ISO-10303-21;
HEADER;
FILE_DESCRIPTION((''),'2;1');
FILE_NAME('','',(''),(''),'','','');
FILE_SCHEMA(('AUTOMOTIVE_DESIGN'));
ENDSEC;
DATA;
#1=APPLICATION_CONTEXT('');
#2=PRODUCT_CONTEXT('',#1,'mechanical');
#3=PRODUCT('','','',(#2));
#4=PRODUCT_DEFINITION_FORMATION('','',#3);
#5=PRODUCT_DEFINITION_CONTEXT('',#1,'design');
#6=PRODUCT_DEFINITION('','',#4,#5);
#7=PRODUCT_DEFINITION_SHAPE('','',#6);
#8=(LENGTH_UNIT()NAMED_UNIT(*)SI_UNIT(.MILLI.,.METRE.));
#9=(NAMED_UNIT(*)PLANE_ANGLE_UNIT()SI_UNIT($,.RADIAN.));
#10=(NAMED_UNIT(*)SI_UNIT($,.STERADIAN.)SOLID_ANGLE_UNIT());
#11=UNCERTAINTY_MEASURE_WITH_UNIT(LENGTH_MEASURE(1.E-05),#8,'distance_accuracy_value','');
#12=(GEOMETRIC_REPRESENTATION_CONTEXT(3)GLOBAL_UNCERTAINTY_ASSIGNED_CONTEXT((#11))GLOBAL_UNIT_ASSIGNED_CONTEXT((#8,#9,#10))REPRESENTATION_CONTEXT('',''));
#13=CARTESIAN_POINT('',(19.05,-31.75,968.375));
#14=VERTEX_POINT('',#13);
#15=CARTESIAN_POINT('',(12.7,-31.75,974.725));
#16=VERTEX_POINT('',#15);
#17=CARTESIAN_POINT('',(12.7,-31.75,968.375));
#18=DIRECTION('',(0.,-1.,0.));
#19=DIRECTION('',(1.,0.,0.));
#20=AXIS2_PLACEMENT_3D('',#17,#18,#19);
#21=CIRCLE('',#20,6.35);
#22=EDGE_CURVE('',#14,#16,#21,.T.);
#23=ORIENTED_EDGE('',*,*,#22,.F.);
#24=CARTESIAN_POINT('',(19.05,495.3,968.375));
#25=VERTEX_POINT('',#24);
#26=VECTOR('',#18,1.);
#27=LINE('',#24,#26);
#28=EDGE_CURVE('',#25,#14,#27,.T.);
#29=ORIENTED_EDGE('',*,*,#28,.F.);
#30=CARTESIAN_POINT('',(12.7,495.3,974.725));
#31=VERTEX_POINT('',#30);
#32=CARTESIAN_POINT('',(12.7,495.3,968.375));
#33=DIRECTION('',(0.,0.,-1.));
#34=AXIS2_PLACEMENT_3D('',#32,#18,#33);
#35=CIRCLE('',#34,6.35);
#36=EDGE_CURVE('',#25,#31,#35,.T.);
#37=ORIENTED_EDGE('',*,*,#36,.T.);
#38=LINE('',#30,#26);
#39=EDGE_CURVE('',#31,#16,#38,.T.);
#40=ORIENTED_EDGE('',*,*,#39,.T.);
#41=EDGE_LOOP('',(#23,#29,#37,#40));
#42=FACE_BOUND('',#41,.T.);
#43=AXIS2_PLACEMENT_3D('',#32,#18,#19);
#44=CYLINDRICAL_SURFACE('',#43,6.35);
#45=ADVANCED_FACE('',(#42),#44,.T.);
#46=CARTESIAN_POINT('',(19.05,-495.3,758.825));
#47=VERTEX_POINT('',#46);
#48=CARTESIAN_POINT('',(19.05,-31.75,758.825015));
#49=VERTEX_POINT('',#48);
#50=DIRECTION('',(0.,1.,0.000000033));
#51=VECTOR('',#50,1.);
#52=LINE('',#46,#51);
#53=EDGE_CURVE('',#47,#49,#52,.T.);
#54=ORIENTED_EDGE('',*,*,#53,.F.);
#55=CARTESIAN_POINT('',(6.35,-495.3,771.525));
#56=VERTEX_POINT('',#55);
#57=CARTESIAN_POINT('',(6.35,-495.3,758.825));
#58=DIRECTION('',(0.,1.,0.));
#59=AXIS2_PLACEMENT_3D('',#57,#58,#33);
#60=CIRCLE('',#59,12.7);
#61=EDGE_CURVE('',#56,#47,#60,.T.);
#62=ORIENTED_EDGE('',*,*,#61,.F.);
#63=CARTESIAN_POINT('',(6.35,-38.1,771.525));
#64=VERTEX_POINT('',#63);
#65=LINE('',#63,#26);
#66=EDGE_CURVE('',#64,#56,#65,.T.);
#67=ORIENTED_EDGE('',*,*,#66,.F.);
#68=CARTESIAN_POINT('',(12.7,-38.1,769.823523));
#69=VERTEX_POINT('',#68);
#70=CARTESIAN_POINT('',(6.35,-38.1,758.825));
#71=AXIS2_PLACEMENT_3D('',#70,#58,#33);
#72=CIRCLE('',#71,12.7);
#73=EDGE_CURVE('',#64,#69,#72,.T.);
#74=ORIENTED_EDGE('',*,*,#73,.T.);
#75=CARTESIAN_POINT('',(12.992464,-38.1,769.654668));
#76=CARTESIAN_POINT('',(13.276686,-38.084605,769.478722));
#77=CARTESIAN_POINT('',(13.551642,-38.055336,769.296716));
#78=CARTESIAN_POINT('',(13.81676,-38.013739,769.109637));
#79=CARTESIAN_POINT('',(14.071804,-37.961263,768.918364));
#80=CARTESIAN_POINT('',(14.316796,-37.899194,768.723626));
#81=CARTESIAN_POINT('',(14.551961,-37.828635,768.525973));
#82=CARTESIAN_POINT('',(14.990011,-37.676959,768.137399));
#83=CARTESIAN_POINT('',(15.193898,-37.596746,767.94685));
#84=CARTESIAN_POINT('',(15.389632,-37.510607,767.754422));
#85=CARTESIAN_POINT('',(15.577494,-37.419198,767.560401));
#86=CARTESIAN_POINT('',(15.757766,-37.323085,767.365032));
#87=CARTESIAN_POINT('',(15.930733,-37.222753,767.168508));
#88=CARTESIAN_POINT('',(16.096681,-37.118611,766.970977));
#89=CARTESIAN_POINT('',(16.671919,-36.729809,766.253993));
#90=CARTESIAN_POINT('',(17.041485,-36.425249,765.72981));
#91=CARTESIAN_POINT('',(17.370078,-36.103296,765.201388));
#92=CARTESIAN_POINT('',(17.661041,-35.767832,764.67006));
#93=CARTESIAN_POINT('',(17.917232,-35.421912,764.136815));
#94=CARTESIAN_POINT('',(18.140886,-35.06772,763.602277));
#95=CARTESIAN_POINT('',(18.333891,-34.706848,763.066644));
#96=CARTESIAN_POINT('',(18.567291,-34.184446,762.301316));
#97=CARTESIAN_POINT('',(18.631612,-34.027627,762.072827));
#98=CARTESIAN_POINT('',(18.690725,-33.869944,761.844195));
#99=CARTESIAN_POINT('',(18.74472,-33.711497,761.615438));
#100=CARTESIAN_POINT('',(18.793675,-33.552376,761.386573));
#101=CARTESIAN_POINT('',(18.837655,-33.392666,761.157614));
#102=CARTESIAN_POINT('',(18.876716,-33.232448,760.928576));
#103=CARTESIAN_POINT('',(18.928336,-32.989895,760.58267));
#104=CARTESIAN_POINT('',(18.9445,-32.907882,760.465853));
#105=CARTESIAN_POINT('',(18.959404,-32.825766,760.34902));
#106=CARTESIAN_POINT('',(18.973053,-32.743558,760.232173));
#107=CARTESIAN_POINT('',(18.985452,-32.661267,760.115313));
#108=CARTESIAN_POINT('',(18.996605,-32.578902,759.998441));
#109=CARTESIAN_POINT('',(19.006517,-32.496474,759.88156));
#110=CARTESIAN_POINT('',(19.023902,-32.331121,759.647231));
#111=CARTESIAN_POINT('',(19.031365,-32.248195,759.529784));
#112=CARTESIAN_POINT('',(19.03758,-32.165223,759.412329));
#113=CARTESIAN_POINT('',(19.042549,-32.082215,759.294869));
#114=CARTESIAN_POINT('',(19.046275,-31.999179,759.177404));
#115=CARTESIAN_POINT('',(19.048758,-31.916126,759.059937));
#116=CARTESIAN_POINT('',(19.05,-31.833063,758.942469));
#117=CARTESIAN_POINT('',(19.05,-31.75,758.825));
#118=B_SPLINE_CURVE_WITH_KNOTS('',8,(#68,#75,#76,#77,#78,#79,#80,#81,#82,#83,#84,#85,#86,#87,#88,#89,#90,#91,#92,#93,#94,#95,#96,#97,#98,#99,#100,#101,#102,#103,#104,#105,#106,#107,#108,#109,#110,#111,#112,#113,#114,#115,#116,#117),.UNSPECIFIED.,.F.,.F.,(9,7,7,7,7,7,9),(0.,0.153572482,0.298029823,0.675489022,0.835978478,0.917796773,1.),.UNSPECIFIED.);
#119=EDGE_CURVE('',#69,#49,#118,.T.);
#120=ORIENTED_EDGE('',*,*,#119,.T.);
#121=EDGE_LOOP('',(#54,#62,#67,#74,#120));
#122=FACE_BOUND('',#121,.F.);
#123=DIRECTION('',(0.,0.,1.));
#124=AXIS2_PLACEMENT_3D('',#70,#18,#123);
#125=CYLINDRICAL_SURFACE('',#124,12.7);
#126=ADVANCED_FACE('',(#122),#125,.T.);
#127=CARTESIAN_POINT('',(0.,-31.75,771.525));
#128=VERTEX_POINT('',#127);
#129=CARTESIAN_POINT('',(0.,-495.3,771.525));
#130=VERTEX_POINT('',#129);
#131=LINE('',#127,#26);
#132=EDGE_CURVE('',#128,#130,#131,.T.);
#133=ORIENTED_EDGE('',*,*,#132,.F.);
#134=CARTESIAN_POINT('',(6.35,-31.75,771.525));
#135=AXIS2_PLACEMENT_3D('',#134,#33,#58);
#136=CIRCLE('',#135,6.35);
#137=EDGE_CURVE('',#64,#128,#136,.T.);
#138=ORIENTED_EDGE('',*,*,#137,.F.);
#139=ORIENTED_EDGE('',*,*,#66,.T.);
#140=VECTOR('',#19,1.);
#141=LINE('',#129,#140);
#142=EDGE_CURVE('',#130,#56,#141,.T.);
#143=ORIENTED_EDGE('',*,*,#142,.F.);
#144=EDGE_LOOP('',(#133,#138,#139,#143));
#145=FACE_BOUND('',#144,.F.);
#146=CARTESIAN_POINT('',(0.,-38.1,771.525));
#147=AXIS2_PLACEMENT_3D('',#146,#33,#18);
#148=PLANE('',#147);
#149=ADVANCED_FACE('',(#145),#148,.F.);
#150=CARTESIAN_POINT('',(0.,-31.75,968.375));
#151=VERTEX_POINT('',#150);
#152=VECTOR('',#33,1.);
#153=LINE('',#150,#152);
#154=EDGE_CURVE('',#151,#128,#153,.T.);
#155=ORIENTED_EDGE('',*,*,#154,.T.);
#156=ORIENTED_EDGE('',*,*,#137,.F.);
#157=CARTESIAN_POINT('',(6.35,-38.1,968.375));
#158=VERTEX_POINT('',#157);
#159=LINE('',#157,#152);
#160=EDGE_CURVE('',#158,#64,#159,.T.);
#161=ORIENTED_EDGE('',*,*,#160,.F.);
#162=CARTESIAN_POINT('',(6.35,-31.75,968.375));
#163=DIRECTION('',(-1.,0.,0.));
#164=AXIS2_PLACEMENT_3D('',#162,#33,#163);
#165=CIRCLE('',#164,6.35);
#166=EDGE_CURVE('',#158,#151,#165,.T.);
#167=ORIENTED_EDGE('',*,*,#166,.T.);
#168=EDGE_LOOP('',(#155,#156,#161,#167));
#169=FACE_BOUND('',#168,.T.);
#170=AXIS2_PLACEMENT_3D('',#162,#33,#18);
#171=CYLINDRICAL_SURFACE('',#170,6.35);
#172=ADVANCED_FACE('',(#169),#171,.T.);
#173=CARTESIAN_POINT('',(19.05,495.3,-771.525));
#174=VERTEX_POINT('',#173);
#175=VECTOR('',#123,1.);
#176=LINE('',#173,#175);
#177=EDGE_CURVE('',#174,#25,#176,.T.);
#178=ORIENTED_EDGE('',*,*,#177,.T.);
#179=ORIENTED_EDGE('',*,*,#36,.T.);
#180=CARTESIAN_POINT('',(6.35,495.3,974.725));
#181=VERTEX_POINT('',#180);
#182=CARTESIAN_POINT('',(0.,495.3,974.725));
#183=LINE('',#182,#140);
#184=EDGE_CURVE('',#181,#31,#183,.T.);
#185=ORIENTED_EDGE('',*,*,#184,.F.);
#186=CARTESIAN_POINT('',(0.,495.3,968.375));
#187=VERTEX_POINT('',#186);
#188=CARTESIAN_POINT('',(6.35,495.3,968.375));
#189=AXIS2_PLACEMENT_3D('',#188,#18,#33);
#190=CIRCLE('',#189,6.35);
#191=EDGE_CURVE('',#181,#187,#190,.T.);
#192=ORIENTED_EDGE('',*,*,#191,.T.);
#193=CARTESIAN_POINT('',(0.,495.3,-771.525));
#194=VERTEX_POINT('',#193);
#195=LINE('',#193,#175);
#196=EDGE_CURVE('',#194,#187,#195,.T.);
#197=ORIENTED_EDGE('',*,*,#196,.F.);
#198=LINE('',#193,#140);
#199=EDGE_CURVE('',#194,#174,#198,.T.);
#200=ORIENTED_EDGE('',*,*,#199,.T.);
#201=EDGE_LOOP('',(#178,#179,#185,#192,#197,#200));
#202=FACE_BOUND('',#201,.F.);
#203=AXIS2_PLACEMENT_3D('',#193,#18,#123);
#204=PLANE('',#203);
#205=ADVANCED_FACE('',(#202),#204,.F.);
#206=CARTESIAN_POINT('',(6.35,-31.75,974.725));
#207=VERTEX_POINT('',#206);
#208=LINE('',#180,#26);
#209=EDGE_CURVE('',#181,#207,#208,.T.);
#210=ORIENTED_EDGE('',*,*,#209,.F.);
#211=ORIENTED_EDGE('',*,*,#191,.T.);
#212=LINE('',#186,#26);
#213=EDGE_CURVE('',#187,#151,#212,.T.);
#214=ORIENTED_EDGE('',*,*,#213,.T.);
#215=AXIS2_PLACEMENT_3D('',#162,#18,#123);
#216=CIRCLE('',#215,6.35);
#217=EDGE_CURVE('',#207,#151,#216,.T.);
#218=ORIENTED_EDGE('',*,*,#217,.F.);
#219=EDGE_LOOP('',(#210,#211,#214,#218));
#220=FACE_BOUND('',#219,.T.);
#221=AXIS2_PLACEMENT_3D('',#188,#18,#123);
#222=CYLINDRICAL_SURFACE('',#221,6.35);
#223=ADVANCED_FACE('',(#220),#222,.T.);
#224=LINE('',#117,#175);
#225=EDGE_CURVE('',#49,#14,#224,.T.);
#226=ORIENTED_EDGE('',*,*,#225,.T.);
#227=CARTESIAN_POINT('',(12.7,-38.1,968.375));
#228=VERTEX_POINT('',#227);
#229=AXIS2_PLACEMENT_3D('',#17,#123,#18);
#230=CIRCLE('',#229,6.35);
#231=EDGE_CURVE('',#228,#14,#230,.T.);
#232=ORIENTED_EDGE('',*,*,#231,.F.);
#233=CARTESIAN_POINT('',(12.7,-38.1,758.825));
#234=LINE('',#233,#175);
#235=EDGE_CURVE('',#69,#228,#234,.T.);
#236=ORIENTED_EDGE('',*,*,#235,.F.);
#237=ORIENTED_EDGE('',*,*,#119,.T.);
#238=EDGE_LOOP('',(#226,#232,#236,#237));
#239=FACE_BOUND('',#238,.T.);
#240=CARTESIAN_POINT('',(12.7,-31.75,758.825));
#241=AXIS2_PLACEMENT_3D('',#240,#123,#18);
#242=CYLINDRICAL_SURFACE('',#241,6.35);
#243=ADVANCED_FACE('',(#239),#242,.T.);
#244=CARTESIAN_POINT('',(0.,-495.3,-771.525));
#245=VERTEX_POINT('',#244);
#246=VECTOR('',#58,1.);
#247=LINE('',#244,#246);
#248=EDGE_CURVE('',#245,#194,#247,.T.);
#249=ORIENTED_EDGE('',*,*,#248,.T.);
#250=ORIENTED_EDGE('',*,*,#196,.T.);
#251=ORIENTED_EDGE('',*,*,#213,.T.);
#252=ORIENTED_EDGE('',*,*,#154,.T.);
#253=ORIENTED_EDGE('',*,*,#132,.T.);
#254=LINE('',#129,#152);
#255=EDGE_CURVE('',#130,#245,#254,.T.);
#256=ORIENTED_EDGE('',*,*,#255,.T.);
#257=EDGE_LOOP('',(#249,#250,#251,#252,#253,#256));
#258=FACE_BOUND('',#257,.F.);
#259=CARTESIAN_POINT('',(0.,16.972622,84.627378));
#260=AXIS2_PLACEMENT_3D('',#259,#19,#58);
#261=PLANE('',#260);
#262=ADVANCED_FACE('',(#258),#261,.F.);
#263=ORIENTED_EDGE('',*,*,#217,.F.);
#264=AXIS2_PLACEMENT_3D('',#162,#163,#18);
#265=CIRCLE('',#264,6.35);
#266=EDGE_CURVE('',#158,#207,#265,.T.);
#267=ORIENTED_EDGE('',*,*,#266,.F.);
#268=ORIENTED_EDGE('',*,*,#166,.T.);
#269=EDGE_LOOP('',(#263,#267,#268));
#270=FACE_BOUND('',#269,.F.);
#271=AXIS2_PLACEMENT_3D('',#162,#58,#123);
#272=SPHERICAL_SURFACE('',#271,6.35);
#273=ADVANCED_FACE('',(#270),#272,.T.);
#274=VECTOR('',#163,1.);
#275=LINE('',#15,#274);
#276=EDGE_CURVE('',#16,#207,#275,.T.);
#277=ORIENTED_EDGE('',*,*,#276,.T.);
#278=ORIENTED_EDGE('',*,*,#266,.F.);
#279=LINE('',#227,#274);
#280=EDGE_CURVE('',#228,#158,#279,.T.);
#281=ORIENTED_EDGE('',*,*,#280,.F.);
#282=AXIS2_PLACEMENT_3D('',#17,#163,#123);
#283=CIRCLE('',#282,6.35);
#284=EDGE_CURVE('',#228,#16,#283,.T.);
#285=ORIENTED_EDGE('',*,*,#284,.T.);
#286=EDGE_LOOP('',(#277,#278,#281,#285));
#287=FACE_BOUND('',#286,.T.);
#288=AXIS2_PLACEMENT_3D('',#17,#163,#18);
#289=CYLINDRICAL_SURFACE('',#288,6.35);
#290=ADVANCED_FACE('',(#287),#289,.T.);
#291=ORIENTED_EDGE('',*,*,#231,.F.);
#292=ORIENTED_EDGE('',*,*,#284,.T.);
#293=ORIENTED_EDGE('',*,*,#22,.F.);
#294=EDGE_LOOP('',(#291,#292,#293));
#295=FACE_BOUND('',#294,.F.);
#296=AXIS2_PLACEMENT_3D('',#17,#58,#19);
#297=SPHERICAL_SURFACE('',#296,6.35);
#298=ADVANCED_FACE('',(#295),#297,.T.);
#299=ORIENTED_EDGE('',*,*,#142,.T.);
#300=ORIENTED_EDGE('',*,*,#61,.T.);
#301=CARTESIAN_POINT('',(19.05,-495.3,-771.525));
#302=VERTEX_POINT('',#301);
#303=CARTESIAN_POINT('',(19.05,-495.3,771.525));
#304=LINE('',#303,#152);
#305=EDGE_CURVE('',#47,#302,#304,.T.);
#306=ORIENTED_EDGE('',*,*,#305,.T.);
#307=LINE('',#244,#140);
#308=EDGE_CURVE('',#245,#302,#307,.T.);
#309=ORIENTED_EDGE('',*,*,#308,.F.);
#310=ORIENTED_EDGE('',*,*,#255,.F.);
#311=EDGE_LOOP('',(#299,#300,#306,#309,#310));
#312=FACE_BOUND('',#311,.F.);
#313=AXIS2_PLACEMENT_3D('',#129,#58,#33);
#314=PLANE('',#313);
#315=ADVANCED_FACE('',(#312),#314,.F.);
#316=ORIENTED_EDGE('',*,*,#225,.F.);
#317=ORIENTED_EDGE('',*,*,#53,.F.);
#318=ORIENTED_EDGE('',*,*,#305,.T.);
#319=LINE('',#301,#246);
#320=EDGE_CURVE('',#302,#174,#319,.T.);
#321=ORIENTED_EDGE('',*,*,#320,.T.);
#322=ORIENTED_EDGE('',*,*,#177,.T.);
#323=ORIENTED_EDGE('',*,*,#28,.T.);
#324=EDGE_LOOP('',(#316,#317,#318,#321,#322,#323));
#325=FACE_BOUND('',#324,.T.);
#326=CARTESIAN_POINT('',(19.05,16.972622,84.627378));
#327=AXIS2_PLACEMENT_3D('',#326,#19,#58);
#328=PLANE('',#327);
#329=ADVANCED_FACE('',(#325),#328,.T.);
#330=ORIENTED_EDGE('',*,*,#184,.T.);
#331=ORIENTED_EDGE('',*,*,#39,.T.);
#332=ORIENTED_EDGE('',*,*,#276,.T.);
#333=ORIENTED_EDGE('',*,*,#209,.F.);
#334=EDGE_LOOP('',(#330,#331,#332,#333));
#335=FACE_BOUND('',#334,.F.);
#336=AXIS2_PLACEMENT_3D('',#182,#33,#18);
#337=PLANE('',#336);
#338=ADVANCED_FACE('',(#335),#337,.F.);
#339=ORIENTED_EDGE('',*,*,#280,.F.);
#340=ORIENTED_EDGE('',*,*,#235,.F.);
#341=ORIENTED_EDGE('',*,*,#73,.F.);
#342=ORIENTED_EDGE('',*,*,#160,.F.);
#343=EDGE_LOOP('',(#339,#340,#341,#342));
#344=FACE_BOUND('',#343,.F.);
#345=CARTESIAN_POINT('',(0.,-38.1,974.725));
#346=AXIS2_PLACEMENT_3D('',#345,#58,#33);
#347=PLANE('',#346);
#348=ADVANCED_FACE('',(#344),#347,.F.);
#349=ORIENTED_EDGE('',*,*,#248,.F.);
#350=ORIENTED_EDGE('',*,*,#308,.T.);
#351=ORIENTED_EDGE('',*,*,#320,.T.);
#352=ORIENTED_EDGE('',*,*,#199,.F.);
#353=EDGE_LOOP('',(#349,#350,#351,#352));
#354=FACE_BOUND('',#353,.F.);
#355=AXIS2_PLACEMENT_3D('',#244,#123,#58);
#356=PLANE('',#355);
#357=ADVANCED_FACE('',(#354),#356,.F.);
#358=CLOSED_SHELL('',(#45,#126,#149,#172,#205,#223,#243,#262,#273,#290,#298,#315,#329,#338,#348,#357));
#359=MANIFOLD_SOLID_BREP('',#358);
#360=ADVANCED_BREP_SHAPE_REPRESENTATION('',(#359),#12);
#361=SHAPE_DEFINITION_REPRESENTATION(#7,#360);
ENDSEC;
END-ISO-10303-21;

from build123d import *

# Parameters (mm, degrees)
F1_DEPTH = 19.05
F2_R     = 12.7
F3_R     = 6.35
F4_R     = 6.35


with BuildPart() as f1:
    # F0 (on Right) → F1 (new body)
    with BuildSketch(Plane.YZ):
        Polygon((-495.3, -771.525), (495.3, -771.525), (495.3, 771.525), (495.3, 974.725), (-38.1, 974.725), (-38.1, 771.525), (-495.3, 771.525), align=None)
    extrude(amount=F1_DEPTH)

    # F2
    f2_edges = [f1.edges().sort_by_distance(p)[0] for p in [
        (19.05, -266.7, 771.525),
    ]]
    fillet(f2_edges, radius=F2_R)

    # F3
    f3_edges = [f1.edges().sort_by_distance(p)[0] for p in [
        (19.05, 228.6, 974.725),
        (0, 228.6, 974.725),
    ]]
    fillet(f3_edges, radius=F3_R)

    # F4
    f4_edges = [f1.edges().sort_by_distance(p)[0] for p in [
        (19.05, -38.1, 869.95),
        (0, -38.1, 869.95),
    ]]
    fillet(f4_edges, radius=F4_R)


solid = f1.part
